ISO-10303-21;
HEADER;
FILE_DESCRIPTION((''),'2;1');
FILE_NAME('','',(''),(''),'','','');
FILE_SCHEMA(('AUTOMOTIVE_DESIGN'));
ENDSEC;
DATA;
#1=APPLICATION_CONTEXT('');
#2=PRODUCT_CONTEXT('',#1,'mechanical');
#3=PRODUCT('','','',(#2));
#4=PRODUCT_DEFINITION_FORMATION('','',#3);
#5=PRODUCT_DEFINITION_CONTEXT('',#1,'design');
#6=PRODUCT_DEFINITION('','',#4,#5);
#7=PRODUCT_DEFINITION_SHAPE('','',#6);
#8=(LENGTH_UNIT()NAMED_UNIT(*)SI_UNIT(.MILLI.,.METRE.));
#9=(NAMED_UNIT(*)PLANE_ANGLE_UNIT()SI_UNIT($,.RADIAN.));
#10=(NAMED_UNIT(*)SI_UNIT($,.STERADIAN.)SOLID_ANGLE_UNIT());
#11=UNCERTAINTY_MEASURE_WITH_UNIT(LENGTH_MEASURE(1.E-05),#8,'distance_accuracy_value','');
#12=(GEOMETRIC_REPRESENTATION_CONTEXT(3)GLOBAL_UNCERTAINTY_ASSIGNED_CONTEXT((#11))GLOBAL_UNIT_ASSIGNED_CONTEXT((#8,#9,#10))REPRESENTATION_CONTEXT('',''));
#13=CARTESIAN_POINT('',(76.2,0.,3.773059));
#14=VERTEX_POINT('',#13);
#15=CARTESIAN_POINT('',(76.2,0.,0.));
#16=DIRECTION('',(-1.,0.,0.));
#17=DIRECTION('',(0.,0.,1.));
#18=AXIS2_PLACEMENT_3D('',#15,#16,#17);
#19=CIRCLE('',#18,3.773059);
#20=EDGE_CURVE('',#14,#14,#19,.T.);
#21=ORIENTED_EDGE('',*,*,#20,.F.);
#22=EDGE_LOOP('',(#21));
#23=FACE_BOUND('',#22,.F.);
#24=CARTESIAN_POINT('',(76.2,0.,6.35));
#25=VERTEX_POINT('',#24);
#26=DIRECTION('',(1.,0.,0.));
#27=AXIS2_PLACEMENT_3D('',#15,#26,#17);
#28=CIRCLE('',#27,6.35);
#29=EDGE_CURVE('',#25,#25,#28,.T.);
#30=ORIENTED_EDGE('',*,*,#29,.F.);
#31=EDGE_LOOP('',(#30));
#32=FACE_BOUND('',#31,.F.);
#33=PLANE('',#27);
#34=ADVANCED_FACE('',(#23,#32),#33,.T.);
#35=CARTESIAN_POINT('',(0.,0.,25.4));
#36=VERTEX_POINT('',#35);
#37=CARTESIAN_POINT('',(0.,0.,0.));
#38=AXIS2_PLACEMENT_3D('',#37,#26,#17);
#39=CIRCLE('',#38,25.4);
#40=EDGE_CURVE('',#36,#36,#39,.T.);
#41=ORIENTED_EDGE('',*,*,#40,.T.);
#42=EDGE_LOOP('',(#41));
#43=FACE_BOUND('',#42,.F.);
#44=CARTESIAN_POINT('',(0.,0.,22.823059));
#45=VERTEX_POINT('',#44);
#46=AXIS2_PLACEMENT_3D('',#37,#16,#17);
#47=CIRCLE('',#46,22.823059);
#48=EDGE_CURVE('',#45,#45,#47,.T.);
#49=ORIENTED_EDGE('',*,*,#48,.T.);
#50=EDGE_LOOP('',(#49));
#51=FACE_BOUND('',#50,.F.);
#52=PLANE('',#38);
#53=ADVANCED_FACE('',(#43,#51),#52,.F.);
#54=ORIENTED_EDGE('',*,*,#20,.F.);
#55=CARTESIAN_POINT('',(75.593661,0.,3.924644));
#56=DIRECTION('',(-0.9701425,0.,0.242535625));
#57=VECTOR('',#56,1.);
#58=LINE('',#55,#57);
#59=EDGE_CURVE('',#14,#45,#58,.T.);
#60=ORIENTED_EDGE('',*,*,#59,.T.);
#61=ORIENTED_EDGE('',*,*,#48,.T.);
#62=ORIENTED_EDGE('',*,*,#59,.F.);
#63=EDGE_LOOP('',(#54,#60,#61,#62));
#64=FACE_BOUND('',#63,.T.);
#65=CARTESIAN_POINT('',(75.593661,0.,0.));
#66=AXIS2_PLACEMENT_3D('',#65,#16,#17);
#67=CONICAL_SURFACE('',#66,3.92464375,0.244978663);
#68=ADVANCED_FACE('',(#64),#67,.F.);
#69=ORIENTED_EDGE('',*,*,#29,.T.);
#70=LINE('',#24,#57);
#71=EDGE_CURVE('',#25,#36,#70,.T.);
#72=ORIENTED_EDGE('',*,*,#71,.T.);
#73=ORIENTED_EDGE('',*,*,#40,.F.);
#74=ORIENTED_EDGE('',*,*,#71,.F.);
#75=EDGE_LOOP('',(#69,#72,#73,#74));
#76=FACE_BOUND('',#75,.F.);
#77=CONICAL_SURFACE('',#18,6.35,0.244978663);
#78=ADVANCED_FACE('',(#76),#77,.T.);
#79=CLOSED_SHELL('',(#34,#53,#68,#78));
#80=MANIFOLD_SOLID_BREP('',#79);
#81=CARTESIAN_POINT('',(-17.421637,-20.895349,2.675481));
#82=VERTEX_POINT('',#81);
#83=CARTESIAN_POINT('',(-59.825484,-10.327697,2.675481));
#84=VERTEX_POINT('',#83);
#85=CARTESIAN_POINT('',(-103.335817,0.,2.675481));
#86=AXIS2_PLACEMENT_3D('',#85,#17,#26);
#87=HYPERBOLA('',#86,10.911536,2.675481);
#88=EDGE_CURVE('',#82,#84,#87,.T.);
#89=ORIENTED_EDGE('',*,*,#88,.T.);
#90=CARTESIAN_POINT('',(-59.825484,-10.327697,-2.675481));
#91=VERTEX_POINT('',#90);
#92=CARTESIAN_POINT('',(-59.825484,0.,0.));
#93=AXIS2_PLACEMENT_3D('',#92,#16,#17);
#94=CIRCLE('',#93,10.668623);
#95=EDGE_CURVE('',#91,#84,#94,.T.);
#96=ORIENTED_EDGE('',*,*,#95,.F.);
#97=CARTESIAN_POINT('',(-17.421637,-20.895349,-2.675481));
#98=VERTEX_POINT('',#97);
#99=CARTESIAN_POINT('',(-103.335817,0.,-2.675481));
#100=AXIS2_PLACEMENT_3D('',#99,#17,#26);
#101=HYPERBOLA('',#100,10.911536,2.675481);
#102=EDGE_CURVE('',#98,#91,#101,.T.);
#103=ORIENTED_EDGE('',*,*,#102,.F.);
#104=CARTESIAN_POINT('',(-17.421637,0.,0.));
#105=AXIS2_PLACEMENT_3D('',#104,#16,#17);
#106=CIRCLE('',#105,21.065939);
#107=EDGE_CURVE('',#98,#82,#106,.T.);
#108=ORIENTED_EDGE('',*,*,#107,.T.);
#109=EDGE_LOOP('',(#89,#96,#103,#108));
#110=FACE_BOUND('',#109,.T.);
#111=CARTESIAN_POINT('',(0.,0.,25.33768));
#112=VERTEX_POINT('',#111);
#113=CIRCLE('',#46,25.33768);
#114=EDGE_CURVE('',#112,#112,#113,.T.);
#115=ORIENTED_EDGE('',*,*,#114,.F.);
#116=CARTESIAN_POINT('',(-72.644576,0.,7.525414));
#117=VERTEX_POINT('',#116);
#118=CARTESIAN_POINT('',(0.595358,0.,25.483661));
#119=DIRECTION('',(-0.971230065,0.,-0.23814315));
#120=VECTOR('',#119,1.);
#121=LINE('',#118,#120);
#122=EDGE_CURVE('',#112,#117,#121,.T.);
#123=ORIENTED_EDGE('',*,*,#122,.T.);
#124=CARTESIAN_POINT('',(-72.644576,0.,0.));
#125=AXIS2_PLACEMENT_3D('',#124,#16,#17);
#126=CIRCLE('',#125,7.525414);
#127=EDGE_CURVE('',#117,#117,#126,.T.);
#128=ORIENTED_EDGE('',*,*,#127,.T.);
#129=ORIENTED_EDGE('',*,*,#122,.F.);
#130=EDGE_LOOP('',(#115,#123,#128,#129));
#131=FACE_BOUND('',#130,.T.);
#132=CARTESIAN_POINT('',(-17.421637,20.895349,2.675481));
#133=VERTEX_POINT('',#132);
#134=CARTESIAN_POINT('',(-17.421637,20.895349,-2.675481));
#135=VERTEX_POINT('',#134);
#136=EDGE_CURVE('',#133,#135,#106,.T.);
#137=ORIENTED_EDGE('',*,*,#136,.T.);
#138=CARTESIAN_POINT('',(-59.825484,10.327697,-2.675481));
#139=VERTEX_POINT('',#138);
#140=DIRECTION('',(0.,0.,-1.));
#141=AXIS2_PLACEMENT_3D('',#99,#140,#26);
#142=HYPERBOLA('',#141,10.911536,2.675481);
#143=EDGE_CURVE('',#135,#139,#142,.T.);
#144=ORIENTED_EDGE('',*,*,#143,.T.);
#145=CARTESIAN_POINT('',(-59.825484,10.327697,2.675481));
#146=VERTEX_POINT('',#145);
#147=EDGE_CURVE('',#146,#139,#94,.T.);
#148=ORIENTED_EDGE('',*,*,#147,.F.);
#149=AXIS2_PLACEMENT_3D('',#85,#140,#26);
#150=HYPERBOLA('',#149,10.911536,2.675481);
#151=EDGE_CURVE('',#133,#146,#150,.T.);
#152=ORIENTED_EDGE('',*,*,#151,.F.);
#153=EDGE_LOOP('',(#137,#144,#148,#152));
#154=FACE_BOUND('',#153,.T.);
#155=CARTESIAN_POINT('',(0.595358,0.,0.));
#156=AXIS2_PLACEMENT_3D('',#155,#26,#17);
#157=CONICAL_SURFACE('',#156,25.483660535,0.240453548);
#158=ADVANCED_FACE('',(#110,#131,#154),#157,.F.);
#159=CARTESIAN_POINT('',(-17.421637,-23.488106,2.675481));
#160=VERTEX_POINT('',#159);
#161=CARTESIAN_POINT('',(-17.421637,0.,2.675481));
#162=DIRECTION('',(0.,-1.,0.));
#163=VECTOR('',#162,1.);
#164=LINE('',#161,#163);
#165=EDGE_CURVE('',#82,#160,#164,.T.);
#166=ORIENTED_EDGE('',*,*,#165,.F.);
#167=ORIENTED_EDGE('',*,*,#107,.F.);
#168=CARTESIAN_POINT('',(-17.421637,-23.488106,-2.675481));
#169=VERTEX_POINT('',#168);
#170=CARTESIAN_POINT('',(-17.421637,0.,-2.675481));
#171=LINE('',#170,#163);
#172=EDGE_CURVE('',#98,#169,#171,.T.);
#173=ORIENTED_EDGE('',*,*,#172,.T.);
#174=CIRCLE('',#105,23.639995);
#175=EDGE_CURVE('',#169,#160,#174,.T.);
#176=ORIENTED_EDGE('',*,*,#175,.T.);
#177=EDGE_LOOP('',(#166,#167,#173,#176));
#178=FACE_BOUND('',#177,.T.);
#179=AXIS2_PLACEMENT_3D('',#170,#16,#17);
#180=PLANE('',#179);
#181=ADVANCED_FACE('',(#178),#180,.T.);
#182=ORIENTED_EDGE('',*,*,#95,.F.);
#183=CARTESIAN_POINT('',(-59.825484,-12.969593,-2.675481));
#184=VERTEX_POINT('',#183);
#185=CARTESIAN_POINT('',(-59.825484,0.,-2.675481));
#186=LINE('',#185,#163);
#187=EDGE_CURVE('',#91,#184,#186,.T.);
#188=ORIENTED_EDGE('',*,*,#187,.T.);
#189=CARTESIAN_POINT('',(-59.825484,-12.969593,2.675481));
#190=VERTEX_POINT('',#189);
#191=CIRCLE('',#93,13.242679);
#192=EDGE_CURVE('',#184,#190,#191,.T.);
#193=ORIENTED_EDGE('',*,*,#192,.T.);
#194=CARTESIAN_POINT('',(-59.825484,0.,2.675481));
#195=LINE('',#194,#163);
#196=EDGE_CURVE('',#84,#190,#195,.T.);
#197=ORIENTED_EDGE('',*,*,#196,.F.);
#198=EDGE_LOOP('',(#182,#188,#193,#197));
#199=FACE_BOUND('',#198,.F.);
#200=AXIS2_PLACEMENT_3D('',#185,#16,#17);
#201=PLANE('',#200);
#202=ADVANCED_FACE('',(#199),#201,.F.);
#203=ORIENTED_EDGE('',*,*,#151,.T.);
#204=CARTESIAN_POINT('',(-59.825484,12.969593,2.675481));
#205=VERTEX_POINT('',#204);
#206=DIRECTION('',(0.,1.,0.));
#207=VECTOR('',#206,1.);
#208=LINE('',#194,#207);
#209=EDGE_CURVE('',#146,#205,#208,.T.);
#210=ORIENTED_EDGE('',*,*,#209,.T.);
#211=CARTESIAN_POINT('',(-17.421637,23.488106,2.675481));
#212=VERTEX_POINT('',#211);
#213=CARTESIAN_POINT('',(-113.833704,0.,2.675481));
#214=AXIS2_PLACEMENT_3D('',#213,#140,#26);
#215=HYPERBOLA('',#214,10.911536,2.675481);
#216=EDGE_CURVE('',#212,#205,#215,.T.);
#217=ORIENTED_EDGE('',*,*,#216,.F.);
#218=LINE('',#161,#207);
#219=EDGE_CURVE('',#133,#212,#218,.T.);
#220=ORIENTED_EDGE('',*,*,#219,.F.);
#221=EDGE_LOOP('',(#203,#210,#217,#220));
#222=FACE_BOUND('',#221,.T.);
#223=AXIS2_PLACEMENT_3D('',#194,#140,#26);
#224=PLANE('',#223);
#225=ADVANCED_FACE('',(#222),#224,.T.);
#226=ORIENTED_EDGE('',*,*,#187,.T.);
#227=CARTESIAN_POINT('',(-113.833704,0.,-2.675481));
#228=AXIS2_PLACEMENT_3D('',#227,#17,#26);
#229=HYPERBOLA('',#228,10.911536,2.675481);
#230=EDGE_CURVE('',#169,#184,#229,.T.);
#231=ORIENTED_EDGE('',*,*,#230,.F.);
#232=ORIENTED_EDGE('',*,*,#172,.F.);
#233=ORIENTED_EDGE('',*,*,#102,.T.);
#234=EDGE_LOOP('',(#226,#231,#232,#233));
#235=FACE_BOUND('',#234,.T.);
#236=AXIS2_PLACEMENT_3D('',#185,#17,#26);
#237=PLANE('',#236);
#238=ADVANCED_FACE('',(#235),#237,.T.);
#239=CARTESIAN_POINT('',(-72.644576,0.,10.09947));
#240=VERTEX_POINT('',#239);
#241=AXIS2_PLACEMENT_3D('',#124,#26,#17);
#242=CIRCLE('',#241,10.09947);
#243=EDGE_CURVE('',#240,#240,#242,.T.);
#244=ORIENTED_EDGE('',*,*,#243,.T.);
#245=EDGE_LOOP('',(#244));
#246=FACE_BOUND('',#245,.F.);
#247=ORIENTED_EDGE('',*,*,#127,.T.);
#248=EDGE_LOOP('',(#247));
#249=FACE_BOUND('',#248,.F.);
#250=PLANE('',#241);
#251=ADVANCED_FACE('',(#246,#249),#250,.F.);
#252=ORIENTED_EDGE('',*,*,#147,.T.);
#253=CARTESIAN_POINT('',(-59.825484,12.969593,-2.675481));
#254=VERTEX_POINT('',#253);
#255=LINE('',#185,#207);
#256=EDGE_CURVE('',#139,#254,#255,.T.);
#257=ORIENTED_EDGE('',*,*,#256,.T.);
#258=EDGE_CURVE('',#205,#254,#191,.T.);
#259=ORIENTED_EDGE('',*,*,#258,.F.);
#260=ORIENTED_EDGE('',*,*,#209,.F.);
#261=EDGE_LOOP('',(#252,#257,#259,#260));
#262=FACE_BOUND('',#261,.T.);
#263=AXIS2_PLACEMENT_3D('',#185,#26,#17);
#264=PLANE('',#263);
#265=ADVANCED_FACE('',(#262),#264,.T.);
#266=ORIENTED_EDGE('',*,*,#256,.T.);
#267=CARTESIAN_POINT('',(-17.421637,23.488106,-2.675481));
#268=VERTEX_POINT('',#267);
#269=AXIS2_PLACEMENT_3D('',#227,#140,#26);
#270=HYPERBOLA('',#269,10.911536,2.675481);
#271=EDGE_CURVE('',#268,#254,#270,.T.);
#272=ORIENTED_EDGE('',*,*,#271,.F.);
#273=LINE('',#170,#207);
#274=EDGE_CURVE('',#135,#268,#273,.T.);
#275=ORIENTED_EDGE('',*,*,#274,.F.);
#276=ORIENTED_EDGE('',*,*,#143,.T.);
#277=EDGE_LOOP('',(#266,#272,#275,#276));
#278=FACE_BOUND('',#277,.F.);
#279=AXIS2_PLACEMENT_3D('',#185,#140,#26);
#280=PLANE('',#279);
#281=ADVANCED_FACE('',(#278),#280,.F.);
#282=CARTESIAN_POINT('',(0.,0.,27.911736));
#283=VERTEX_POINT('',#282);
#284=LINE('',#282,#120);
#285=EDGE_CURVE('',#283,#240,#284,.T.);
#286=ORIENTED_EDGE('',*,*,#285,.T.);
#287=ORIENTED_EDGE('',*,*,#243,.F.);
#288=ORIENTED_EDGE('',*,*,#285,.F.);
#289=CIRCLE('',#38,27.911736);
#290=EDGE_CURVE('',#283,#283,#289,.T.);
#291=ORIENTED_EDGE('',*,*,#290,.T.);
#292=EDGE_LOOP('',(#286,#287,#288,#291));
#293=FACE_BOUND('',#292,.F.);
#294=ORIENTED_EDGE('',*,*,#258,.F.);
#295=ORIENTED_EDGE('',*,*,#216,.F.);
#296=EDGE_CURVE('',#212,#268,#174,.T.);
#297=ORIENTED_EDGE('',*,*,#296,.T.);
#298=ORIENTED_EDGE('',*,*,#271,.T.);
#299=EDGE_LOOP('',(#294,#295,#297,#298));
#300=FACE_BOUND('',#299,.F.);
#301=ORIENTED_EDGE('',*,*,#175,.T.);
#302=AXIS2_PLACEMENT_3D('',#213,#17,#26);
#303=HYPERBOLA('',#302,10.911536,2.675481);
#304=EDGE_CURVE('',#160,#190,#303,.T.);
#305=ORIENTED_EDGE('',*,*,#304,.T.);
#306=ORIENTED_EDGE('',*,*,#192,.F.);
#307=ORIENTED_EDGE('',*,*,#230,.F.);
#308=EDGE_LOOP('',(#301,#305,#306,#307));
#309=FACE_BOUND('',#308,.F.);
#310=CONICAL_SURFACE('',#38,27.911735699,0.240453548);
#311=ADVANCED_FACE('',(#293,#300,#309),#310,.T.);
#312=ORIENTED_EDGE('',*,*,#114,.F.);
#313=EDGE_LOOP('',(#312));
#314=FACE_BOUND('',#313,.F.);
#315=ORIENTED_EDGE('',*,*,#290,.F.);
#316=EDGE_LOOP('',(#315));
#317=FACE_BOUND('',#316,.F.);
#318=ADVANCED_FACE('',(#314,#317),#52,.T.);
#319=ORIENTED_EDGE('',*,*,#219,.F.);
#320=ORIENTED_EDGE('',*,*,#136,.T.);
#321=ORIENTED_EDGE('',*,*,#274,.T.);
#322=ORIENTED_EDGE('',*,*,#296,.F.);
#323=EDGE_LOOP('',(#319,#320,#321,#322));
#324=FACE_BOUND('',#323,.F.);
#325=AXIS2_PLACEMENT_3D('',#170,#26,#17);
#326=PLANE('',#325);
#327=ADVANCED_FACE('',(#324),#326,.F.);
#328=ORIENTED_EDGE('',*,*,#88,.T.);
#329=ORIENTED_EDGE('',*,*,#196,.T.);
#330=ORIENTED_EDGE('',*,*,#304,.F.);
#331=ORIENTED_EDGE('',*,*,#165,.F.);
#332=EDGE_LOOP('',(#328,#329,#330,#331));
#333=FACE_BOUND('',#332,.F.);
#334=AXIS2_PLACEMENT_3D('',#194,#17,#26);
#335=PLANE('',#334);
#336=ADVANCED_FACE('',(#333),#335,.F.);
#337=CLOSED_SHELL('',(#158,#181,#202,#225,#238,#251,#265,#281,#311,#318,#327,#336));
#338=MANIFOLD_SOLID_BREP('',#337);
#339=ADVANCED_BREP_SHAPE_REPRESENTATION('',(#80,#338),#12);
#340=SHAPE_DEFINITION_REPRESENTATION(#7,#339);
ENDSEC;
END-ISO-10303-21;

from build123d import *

# Parameters (mm, degrees)
F2_T          = -2.5
F5_T          = -2.5
F6_W          = 42.4038469791
F6_H          = 5.3509618156
F7_DEPTH      = 25
F7_DEPTH_BACK = 25


with BuildPart() as f1:
    # F0 (on Front) → F1 (revolve)
    with BuildSketch(Plane.XZ):
        Polygon((0, 0), (76.2, 0), (76.2, 6.35), (0, 25.4), align=None)
    revolve(axis=Axis((38.1, 0, 0), (1, 0, 0)))

    # F2
    f2_openings = [f1.faces().sort_by_distance(p)[0] for p in [
        (0, 0, 0),
        (76.2, 0, 0),
    ]]
    offset(amount=F2_T, openings=f2_openings)


with BuildPart() as f4:
    # F3 (on Front) → F4 (revolve)
    with BuildSketch(Plane.XZ):
        Polygon((0, 0), (0, 27.9117356986), (-72.6445764303, 10.0994696841), (-72.6445764303, 0), align=None)
    revolve(axis=Axis((-36.3222882152, 0, 0), (1, 0, 0)))

    # F5
    f5_openings = [f4.faces().sort_by_distance(p)[0] for p in [
        (-72.644576, 0, 0),
        (0, 0, 0),
    ]]
    offset(amount=F5_T, openings=f5_openings)

    # F6 (on Front) → F7 (cut, two sides)
    with BuildSketch(Plane.XZ) as f7_sk:
        with Locations((-38.62356022, 0)):
            Rectangle(F6_W, F6_H)
    extrude(amount=-F7_DEPTH, mode=Mode.SUBTRACT)
    extrude(f7_sk.sketch, amount=F7_DEPTH_BACK, mode=Mode.SUBTRACT)


solid = Compound([f1.part, f4.part])
